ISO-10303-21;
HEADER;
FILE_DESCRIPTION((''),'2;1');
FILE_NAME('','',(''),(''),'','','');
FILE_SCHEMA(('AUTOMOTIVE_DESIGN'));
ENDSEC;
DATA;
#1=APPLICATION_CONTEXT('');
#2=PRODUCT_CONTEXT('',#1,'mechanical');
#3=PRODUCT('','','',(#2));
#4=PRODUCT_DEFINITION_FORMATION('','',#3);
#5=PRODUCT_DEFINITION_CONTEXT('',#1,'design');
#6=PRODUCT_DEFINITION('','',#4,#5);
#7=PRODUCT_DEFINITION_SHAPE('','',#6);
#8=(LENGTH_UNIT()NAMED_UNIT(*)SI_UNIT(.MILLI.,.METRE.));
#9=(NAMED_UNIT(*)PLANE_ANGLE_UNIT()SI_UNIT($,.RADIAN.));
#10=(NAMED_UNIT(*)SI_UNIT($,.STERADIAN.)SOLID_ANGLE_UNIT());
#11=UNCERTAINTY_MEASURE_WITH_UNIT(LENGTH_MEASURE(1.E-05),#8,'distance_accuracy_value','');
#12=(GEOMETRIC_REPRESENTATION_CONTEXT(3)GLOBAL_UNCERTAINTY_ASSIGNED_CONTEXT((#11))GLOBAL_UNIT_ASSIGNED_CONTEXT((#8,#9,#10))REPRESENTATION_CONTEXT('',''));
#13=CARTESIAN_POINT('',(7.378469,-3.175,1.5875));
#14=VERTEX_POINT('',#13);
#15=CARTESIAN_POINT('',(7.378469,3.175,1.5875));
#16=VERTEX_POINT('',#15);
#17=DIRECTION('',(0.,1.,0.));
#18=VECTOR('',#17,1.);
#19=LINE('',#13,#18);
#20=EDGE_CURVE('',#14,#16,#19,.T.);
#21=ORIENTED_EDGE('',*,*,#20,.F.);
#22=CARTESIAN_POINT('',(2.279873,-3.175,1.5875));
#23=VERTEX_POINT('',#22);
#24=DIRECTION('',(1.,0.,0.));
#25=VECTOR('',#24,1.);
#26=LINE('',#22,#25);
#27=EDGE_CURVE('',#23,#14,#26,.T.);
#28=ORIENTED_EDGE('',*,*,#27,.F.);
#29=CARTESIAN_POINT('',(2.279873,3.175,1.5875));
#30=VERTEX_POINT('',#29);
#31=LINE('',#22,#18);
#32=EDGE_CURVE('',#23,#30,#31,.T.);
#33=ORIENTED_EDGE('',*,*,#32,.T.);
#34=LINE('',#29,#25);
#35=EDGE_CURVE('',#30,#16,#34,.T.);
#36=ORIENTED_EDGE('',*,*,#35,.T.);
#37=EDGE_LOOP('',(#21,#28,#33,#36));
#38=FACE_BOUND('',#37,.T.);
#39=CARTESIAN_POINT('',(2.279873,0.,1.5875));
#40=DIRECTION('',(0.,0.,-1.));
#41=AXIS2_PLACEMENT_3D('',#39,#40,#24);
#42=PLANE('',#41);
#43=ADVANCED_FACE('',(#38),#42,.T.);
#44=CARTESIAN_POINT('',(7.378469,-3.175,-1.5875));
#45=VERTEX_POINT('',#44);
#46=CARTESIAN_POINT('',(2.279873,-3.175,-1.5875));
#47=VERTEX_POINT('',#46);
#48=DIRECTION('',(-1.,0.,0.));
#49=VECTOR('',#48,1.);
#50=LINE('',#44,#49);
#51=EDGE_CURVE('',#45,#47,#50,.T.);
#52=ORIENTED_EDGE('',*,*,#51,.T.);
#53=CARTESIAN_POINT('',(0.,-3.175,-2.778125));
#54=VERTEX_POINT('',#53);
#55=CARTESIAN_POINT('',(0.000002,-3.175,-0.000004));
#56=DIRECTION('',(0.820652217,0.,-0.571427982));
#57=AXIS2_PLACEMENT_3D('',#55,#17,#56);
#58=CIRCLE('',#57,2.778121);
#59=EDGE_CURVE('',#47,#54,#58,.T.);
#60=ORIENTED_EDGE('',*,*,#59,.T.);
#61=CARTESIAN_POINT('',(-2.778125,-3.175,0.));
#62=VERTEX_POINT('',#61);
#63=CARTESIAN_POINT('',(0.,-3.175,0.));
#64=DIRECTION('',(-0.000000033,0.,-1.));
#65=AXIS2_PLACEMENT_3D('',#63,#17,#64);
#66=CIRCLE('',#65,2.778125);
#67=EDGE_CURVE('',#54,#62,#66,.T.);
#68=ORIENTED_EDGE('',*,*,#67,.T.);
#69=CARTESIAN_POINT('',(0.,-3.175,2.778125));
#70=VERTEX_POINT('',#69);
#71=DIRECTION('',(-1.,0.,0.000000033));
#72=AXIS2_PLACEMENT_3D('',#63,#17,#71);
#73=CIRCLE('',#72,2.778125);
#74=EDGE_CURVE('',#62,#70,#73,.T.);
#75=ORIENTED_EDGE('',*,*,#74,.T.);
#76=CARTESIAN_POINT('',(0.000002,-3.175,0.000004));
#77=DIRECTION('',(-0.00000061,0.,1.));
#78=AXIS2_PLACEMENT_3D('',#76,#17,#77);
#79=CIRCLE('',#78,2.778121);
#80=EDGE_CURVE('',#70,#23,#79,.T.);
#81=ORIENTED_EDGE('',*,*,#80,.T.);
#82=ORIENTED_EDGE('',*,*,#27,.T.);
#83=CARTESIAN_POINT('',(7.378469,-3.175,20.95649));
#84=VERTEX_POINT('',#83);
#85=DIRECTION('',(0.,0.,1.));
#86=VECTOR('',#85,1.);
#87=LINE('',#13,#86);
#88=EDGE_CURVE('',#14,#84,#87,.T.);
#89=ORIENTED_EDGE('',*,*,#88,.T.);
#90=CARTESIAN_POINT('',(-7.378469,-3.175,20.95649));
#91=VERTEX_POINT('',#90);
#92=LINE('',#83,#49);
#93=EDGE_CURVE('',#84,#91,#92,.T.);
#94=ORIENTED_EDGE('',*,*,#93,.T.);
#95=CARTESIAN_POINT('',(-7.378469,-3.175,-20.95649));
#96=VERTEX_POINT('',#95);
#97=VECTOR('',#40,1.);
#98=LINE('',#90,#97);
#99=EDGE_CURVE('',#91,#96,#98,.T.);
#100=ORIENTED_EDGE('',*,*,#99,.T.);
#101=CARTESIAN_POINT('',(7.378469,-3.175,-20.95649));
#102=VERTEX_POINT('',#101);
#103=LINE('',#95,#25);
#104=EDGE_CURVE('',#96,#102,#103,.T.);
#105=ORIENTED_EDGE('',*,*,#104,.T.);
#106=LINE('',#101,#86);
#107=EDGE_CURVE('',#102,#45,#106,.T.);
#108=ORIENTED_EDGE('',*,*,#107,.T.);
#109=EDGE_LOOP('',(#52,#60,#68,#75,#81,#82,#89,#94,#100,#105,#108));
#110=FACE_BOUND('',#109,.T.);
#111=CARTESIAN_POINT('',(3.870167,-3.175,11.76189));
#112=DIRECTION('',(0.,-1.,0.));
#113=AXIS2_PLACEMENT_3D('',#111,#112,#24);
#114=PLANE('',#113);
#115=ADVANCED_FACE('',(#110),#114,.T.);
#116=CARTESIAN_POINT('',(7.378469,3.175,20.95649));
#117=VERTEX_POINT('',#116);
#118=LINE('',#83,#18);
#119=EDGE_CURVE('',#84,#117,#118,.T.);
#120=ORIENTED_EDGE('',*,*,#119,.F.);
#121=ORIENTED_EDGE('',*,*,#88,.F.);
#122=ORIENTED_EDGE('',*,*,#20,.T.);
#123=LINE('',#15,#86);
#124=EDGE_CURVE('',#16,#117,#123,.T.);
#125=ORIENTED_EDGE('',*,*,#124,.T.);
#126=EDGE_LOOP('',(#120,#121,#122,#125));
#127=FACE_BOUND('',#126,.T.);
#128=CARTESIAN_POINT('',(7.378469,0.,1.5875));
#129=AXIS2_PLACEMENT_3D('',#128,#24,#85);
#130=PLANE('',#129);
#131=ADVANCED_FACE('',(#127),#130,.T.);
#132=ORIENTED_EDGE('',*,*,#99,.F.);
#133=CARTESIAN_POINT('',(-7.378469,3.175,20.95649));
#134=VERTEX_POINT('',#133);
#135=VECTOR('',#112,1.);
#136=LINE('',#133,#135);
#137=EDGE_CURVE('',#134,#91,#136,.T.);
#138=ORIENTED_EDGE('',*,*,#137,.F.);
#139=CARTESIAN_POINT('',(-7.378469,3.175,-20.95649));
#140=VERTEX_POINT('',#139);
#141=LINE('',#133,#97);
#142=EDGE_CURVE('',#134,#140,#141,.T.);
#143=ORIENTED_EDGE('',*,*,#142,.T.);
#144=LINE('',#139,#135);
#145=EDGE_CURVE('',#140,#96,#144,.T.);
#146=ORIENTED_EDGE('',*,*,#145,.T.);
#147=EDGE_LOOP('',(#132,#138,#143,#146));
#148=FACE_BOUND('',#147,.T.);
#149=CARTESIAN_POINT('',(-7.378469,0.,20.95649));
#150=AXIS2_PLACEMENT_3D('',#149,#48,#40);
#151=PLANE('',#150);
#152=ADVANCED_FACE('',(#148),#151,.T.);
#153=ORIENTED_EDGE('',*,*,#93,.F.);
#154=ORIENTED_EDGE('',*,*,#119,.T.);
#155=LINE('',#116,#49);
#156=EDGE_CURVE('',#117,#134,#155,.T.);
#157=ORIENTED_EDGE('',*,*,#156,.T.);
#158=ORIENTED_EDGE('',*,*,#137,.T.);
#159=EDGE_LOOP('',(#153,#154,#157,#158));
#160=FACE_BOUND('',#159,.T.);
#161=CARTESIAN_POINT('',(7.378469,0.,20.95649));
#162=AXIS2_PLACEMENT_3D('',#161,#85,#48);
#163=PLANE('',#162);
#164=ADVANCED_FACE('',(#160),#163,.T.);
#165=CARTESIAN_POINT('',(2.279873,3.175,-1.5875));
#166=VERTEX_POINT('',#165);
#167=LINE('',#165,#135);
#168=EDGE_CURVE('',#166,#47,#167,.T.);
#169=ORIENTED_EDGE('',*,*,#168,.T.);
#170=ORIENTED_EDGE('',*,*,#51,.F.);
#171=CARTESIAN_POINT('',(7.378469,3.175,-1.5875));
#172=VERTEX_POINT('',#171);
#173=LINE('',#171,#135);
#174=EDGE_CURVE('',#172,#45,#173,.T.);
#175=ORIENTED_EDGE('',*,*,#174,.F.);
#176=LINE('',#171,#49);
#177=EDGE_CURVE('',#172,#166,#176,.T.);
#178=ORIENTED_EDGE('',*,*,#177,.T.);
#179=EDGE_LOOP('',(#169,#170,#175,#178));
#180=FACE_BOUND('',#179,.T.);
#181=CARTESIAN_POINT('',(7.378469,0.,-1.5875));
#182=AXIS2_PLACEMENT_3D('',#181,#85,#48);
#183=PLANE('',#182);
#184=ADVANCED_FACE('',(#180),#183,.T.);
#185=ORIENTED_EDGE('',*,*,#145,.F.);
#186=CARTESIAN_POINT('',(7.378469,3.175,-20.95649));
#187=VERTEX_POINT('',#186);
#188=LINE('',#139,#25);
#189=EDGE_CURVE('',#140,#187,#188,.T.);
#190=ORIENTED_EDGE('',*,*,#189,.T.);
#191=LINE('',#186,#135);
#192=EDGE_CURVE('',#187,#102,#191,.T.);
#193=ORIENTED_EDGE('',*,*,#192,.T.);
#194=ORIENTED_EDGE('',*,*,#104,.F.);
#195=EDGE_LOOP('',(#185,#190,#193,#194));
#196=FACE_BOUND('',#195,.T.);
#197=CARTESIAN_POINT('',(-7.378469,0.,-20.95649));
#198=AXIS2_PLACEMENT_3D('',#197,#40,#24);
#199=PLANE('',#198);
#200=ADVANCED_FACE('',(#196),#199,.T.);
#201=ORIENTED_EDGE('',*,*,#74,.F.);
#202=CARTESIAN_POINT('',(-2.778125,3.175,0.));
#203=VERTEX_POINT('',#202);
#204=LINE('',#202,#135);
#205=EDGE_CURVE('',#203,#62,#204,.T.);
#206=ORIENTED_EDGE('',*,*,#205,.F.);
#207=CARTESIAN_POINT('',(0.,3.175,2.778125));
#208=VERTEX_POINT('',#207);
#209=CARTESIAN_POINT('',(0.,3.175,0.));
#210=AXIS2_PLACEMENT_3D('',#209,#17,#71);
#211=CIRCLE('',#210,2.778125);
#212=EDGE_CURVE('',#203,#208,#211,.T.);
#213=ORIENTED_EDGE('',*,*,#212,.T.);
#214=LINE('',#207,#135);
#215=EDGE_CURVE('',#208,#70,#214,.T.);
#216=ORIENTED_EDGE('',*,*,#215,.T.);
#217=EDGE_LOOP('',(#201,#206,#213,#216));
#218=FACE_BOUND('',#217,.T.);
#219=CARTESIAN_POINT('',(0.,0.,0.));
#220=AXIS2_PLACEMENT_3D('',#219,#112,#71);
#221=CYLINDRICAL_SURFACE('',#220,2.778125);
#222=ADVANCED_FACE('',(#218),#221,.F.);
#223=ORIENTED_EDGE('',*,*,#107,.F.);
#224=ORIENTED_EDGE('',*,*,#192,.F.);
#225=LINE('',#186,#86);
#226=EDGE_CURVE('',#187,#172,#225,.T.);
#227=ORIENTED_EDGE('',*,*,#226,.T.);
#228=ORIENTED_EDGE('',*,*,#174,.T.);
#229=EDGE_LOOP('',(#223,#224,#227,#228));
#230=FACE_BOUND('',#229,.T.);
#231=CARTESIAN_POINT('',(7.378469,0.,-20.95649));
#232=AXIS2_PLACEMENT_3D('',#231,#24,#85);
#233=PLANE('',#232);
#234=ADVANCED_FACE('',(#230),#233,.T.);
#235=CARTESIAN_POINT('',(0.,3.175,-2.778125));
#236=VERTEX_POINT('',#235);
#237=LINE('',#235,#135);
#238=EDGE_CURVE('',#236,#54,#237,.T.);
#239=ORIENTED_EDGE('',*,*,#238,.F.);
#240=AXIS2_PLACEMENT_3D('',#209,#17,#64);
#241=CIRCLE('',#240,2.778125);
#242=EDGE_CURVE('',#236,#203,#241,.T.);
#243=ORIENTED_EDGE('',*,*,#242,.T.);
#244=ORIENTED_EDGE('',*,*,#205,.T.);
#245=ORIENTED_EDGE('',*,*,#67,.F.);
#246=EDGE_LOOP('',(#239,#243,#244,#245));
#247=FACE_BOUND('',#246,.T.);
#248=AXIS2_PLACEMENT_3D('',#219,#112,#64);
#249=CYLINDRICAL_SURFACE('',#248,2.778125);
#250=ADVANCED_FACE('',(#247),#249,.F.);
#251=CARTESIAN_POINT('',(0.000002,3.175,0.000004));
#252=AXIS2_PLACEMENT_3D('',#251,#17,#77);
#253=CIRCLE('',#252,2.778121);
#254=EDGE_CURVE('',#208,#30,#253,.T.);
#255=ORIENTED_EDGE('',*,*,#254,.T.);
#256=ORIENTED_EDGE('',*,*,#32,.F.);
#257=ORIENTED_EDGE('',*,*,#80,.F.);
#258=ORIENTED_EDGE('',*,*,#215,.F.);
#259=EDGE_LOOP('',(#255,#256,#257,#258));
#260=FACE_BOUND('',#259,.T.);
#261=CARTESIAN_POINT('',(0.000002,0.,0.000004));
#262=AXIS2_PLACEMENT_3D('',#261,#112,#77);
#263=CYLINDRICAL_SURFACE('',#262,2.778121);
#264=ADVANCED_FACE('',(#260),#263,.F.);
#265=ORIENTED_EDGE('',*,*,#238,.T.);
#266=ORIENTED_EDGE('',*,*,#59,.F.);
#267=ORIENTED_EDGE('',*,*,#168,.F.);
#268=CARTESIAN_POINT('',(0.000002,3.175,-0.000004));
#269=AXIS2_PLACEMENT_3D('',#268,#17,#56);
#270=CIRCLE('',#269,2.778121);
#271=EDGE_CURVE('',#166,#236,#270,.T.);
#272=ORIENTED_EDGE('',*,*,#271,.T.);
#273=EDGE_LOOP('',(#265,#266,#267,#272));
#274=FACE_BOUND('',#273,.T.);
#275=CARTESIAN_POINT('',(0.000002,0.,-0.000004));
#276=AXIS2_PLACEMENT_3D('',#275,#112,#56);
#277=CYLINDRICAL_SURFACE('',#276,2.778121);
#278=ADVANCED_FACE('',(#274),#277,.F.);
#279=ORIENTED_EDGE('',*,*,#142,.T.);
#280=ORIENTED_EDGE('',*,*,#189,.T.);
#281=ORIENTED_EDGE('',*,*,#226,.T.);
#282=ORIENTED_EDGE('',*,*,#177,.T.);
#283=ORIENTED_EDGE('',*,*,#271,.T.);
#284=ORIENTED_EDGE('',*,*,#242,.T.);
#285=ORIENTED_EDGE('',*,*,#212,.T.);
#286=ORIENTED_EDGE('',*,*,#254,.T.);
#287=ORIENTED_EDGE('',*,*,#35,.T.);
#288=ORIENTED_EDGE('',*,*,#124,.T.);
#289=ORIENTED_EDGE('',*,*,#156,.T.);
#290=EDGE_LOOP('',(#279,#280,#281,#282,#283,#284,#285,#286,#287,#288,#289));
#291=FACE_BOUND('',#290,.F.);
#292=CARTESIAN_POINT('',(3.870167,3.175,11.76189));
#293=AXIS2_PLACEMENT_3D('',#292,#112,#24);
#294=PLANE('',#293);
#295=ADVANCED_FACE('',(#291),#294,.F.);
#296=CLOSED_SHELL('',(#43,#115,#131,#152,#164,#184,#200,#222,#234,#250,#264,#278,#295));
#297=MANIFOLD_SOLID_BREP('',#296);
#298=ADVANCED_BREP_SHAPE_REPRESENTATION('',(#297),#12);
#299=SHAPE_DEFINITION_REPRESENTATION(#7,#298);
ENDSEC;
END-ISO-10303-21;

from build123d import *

# Parameters (mm, degrees)
F1_DEPTH = 3.175


with BuildPart() as f1:
    # F0 (on Front) → F1 (new body, symmetric)
    with BuildSketch(Plane.XZ):
        with BuildLine():
            Line((7.378469, 20.95649), (0, 20.95649))
            Line((0, 20.95649), (0, 19.685))
            ThreePointArc((0, 19.685), (2.245064, 18.755064), (3.175, 16.51))
            ThreePointArc((3.175, 16.51), (2.245064, 14.264936), (0, 13.335))
            Line((0, 13.335), (0, 2.778125))
            ThreePointArc((0, 2.778125), (1.286022, 2.462545), (2.279873, 1.5875))
            Line((2.279873, 1.5875), (7.378469, 1.5875))
            Line((7.378469, 1.5875), (7.378469, 20.95649))
        make_face()
        with BuildLine():
            Line((0, 20.95649), (-7.378469, 20.95649))
            Line((-7.378469, 20.95649), (-7.378469, 0))
            Line((-7.378469, 0), (-2.778125, 0))
            ThreePointArc((-2.778125, 0), (-1.964431, 1.964431), (0, 2.778125))
            Line((0, 2.778125), (0, 13.335))
            ThreePointArc((0, 13.335), (-3.175, 16.51), (0, 19.685))
            Line((0, 19.685), (0, 20.95649))
        make_face()
        with BuildLine():
            Line((-2.778125, 0), (-7.378469, 0))
            Line((-7.378469, 0), (-7.378469, -20.95649))
            Line((-7.378469, -20.95649), (0, -20.95649))
            Line((0, -20.95649), (0, -19.685))
            ThreePointArc((0, -19.685), (-3.175, -16.51), (0, -13.335))
            Line((0, -13.335), (0, -2.778125))
            ThreePointArc((0, -2.778125), (-1.964431, -1.964431), (-2.778125, 0))
        make_face()
        with BuildLine():
            Line((0, -19.685), (0, -20.95649))
            Line((0, -20.95649), (7.378469, -20.95649))
            Line((7.378469, -20.95649), (7.378469, -1.5875))
            Line((7.378469, -1.5875), (2.279873, -1.5875))
            ThreePointArc((2.279873, -1.5875), (1.286022, -2.462545), (0, -2.778125))
            Line((0, -2.778125), (0, -13.335))
            ThreePointArc((0, -13.335), (2.245064, -14.264936), (3.175, -16.51))
            ThreePointArc((3.175, -16.51), (2.245064, -18.755064), (0, -19.685))
        make_face()
        with BuildLine():
            ThreePointArc((0, -13.335), (-3.175, -16.51), (0, -19.685))
            Line((0, -19.685), (0, -18.2626))
            ThreePointArc((0, -18.2626), (-1.7526, -16.51), (0, -14.7574))
            Line((0, -14.7574), (0, -13.335))
        make_face()
        with BuildLine():
            Line((0, -18.2626), (0, -19.685))
            ThreePointArc((0, -19.685), (2.245064, -18.755064), (3.175, -16.51))
            ThreePointArc((3.175, -16.51), (2.245064, -14.264936), (0, -13.335))
            Line((0, -13.335), (0, -14.7574))
            ThreePointArc((0, -14.7574), (1.239275, -15.270725), (1.7526, -16.51))
            ThreePointArc((1.7526, -16.51), (1.239275, -17.749275), (0, -18.2626))
        make_face()
        with BuildLine():
            Line((0, 18.2626), (0, 19.685))
            ThreePointArc((0, 19.685), (-3.175, 16.51), (0, 13.335))
            Line((0, 13.335), (0, 14.7574))
            ThreePointArc((0, 14.7574), (-1.7526, 16.51), (0, 18.2626))
        make_face()
        with BuildLine():
            ThreePointArc((3.175, 16.51), (2.245064, 18.755064), (0, 19.685))
            Line((0, 19.685), (0, 18.2626))
            ThreePointArc((0, 18.2626), (1.239275, 17.749275), (1.7526, 16.51))
            ThreePointArc((1.7526, 16.51), (1.239275, 15.270725), (0, 14.7574))
            Line((0, 14.7574), (0, 13.335))
            ThreePointArc((0, 13.335), (2.245064, 14.264936), (3.175, 16.51))
        make_face()
        with BuildLine():
            Line((0, -14.7574), (0, -18.2626))
            ThreePointArc((0, -18.2626), (1.239275, -17.749275), (1.7526, -16.51))
            ThreePointArc((1.7526, -16.51), (1.239275, -15.270725), (0, -14.7574))
        make_face()
        with BuildLine():
            ThreePointArc((0, -14.7574), (-1.7526, -16.51), (0, -18.2626))
            Line((0, -18.2626), (0, -14.7574))
        make_face()
        with BuildLine():
            Line((0, 14.7574), (0, 18.2626))
            ThreePointArc((0, 18.2626), (-1.7526, 16.51), (0, 14.7574))
        make_face()
        with BuildLine():
            ThreePointArc((1.7526, 16.51), (1.239275, 17.749275), (0, 18.2626))
            Line((0, 18.2626), (0, 14.7574))
            ThreePointArc((0, 14.7574), (1.239275, 15.270725), (1.7526, 16.51))
        make_face()
    extrude(amount=F1_DEPTH, both=True)


solid = f1.part
